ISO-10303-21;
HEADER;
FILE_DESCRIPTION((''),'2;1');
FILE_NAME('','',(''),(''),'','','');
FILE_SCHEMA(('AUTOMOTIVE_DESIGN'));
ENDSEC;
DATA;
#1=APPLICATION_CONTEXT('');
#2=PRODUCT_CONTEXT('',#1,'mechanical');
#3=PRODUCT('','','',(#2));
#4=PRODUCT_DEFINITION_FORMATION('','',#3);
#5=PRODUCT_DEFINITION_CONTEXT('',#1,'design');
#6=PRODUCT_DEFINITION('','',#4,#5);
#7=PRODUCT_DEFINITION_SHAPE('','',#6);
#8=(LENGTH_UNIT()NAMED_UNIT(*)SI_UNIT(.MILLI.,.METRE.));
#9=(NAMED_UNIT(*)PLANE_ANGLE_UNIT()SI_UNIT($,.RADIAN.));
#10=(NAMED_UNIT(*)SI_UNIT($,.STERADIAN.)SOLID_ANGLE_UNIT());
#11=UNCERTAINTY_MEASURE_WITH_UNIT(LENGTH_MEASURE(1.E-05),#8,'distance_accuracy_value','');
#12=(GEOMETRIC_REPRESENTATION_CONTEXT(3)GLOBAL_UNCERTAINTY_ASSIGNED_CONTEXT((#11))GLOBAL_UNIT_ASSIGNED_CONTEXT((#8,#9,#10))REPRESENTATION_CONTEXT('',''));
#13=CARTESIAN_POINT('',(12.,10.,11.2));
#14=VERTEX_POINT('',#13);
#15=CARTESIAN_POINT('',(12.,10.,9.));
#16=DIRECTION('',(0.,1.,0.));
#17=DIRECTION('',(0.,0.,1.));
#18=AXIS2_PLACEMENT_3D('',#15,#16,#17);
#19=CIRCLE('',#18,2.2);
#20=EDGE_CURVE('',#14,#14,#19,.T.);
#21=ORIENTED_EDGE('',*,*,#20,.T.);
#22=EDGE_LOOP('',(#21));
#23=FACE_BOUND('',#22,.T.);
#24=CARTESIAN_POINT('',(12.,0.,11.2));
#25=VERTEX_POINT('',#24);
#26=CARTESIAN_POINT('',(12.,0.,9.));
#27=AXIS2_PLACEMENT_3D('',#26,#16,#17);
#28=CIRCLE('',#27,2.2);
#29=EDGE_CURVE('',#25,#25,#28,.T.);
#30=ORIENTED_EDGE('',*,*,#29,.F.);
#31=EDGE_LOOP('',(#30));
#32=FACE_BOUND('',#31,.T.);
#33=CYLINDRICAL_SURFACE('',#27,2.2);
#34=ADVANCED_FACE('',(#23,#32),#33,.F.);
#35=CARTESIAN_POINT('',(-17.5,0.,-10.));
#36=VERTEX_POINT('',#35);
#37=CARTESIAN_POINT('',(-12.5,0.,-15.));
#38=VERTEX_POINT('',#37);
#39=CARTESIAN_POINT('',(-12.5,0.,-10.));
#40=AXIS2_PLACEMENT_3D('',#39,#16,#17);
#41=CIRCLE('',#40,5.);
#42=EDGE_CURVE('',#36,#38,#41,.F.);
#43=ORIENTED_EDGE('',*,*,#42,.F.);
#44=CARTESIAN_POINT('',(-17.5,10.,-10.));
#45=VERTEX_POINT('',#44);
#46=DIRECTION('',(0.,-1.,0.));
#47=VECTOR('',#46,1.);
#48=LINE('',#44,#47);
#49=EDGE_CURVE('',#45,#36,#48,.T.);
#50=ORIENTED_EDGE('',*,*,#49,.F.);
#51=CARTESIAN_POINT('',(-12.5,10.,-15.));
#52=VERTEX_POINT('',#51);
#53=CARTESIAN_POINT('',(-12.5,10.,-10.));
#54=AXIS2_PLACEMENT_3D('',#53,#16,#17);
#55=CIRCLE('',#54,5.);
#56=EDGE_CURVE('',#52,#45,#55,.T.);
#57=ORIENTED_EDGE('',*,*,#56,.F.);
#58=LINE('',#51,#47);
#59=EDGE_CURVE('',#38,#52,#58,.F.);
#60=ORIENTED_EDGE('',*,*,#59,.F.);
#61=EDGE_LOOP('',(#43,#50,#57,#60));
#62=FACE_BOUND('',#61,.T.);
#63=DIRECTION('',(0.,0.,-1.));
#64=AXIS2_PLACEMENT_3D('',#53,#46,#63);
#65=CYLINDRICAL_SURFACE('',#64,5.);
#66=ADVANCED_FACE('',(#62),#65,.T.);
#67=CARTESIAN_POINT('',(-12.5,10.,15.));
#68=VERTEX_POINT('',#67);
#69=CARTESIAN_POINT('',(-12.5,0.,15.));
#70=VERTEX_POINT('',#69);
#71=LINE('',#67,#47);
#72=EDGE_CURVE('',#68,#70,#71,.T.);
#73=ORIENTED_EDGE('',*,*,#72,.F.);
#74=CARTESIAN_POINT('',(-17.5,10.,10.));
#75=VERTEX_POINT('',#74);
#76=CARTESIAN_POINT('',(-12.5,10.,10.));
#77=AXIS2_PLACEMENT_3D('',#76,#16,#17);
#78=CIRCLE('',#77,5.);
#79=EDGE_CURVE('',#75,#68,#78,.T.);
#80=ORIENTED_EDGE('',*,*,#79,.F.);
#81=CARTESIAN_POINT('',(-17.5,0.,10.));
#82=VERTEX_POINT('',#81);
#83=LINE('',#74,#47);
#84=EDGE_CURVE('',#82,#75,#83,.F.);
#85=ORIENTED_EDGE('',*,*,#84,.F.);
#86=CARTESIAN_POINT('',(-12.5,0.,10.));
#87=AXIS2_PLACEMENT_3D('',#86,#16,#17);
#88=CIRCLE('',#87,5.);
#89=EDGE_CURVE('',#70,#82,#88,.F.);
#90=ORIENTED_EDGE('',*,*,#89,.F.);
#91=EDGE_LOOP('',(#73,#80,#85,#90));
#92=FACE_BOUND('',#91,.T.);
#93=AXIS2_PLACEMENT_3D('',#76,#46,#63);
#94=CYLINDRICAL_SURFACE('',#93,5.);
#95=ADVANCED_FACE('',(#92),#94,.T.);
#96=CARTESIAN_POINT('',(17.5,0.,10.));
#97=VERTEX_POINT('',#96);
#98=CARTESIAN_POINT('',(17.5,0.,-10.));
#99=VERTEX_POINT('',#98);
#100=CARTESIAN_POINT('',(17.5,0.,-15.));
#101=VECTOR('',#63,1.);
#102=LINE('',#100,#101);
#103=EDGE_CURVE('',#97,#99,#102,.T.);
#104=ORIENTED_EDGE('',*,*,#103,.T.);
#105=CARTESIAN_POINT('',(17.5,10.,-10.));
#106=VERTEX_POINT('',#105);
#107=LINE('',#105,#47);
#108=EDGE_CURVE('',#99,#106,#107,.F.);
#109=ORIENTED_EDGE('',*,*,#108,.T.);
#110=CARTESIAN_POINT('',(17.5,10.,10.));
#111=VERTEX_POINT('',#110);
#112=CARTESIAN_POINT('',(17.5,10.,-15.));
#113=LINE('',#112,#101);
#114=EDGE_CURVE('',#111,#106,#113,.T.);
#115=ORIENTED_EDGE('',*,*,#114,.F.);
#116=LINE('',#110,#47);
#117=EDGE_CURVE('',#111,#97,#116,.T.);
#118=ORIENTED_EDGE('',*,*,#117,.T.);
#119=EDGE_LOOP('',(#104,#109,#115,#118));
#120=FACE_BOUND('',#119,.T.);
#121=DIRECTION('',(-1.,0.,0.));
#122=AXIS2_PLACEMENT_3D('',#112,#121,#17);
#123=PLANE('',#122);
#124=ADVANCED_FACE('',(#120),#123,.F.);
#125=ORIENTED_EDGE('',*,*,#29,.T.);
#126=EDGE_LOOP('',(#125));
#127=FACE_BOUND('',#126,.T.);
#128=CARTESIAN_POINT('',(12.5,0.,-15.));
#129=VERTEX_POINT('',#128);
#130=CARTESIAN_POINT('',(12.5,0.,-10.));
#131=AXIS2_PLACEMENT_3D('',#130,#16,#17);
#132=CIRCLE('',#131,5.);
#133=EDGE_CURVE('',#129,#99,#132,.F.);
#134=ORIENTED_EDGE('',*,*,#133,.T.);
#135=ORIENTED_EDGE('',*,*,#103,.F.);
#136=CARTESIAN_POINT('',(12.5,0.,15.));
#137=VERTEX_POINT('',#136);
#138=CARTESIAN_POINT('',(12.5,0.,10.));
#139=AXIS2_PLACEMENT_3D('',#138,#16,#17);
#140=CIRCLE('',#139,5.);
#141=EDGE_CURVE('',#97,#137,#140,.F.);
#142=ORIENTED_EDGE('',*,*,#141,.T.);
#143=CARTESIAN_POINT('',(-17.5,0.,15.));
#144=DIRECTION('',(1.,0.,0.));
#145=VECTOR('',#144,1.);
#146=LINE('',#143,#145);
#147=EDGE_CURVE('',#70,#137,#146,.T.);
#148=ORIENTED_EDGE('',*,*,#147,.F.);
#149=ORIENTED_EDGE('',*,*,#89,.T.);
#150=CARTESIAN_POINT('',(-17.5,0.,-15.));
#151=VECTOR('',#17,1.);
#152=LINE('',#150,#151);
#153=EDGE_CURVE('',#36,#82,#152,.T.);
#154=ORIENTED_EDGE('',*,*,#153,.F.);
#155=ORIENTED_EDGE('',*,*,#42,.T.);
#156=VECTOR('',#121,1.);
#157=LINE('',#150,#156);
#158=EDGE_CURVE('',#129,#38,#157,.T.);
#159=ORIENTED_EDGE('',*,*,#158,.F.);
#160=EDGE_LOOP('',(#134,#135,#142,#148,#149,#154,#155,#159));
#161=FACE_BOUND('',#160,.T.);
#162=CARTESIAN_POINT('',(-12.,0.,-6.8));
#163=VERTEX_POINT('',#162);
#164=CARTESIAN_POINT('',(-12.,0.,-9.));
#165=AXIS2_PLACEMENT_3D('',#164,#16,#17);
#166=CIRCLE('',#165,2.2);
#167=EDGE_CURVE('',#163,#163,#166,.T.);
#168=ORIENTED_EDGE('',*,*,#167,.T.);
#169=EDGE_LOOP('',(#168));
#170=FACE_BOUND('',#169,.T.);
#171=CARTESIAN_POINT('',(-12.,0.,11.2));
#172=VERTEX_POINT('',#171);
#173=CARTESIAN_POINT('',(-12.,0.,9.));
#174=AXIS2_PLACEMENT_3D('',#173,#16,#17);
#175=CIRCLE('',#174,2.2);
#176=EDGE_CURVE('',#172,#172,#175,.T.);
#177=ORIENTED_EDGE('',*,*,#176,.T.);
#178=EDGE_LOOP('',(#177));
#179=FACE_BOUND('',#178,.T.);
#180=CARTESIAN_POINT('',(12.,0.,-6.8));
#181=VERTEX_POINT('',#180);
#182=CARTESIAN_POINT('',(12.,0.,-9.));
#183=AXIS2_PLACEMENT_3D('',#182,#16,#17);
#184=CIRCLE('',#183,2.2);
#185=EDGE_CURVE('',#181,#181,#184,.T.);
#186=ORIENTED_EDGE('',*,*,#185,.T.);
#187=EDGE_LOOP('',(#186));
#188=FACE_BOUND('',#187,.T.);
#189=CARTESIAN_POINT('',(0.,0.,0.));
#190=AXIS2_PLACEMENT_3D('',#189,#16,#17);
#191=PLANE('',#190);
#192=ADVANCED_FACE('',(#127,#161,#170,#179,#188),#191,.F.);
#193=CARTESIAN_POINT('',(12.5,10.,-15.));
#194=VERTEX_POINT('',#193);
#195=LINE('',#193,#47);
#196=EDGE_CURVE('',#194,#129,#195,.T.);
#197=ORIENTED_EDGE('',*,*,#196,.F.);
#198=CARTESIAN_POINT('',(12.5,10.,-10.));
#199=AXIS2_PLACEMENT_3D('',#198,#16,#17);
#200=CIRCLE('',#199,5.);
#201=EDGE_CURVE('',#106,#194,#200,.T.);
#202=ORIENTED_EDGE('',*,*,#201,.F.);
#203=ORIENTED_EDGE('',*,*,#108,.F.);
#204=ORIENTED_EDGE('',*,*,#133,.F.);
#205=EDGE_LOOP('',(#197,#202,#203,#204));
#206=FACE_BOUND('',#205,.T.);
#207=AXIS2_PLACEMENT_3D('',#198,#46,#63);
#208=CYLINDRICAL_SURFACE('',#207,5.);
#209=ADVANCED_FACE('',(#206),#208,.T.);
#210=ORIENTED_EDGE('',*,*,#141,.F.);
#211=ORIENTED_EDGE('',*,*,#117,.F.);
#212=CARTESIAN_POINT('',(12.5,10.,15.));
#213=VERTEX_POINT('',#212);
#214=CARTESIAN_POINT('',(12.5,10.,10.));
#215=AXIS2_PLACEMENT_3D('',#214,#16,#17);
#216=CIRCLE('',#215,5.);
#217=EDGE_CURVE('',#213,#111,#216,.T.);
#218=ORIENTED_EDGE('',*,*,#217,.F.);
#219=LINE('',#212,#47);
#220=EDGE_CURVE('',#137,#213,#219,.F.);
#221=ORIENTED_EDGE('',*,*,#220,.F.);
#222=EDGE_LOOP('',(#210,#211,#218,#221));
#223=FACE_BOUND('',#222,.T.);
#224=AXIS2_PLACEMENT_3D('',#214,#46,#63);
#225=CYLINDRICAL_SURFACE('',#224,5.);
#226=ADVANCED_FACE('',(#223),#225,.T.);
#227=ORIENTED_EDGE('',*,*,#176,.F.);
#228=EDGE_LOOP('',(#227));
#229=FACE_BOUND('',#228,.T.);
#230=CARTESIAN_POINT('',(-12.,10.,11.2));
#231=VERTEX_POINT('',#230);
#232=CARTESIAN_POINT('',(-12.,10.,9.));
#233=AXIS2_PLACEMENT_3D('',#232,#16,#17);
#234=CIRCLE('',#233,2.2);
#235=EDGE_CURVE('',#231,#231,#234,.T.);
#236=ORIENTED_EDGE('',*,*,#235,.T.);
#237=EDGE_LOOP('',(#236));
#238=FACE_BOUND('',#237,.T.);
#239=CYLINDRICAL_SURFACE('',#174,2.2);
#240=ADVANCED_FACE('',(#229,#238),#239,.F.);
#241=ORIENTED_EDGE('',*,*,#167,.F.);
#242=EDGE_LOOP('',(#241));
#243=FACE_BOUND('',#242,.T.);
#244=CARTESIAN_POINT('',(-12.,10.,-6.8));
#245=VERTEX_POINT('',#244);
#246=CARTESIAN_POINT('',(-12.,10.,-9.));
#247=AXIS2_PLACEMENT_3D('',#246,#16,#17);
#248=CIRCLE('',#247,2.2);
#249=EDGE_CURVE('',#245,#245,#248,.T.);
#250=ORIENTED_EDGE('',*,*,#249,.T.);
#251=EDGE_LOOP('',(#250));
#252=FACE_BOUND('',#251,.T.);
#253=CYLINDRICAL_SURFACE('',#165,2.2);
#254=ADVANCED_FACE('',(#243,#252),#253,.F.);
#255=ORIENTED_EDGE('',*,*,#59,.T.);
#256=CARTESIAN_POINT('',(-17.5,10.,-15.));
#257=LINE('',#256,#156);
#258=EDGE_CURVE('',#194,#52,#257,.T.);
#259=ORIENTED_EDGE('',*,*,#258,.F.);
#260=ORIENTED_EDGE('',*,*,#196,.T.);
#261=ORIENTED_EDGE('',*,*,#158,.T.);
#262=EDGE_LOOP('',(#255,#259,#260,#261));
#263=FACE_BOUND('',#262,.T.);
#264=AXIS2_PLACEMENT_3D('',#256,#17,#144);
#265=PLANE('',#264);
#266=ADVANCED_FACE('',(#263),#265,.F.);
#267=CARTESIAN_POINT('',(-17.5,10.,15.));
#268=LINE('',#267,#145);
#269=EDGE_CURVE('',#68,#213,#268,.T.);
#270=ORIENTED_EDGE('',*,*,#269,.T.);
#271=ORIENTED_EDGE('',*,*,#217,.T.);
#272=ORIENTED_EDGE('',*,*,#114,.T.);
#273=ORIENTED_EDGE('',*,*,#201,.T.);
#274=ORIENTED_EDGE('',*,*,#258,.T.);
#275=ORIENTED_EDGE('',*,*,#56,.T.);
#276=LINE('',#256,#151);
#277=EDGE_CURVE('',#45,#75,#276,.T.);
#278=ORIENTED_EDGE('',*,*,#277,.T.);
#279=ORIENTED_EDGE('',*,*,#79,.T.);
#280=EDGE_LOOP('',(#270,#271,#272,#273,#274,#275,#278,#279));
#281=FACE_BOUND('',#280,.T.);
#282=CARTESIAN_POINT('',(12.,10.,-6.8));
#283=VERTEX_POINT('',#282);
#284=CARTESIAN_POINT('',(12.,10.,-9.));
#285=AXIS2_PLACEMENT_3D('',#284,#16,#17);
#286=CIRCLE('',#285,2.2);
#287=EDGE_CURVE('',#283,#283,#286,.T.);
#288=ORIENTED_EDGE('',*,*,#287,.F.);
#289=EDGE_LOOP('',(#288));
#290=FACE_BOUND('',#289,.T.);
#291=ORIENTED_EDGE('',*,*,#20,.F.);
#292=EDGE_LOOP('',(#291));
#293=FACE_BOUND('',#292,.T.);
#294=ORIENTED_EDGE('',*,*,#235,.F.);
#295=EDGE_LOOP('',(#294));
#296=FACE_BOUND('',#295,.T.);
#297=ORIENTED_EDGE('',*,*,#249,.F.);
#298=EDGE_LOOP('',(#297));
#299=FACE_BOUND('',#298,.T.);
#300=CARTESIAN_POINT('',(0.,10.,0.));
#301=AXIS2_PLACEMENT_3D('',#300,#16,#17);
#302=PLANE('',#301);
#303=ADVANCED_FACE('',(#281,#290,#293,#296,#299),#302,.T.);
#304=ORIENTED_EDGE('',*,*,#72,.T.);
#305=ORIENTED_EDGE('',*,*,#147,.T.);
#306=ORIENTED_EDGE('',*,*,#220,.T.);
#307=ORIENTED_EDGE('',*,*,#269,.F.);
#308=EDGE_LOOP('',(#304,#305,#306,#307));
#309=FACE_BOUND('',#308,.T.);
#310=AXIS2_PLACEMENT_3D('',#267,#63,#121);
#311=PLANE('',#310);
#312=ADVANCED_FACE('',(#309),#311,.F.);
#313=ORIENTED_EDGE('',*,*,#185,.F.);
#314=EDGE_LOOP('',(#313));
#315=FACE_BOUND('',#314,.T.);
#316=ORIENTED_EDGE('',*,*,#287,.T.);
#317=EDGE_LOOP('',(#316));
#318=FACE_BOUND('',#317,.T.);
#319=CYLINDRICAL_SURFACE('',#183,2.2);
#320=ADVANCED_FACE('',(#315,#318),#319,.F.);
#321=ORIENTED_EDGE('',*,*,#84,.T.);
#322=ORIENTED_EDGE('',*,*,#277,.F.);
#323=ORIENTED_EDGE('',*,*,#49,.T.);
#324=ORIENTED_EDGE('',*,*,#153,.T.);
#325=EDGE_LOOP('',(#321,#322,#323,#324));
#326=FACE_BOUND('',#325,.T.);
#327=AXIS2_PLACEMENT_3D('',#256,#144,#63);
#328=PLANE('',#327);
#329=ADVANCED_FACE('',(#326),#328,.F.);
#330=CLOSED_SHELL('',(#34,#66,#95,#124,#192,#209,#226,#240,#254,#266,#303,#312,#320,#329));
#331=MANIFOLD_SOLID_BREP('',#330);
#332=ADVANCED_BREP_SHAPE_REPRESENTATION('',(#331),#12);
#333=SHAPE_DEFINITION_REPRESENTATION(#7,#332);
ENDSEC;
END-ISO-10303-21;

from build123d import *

# Parameters (mm, degrees)
SKETCH1_W           = 35
SKETCH1_H           = 30
BOSS_EXTRUDE1_DEPTH = 10
SKETCH2_R           = 2.2
CUT_EXTRUDE1_DEPTH  = 26.124689053
FILLET1_R           = 5


with BuildPart() as part:
    # Sketch1 → Boss-Extrude1 (new body)
    with BuildSketch(Plane(origin=(0, 0, 0), x_dir=(1, 0, 0), z_dir=(0, 1, 0))):
        Rectangle(SKETCH1_W, SKETCH1_H)
    extrude(amount=BOSS_EXTRUDE1_DEPTH)

    # Sketch2 → Cut-Extrude1 (cut, through all)
    with BuildSketch(Plane(origin=(0, 10, 0), x_dir=(1, 0, 0), z_dir=(0, 1, 0))):
        with Locations(Location((-12, 9, 0), (0, 0, 270))):
            Circle(SKETCH2_R)
        with Locations(Location((12, 9, 0), (0, 0, 270))):
            Circle(SKETCH2_R)
        with Locations(Location((12, -9, 0), (0, 0, 270))):
            Circle(SKETCH2_R)
        with Locations(Location((-12, -9, 0), (0, 0, 270))):
            Circle(SKETCH2_R)
    extrude(amount=-CUT_EXTRUDE1_DEPTH, mode=Mode.SUBTRACT)

    # Fillet1
    fillet1_edges = [part.edges().sort_by_distance(p)[0] for p in [
        (17.5, 5, 15),
        (-17.5, 5, 15),
        (-17.5, 5, -15),
        (17.5, 5, -15),
    ]]
    fillet(fillet1_edges, radius=FILLET1_R)


solid = part.part
